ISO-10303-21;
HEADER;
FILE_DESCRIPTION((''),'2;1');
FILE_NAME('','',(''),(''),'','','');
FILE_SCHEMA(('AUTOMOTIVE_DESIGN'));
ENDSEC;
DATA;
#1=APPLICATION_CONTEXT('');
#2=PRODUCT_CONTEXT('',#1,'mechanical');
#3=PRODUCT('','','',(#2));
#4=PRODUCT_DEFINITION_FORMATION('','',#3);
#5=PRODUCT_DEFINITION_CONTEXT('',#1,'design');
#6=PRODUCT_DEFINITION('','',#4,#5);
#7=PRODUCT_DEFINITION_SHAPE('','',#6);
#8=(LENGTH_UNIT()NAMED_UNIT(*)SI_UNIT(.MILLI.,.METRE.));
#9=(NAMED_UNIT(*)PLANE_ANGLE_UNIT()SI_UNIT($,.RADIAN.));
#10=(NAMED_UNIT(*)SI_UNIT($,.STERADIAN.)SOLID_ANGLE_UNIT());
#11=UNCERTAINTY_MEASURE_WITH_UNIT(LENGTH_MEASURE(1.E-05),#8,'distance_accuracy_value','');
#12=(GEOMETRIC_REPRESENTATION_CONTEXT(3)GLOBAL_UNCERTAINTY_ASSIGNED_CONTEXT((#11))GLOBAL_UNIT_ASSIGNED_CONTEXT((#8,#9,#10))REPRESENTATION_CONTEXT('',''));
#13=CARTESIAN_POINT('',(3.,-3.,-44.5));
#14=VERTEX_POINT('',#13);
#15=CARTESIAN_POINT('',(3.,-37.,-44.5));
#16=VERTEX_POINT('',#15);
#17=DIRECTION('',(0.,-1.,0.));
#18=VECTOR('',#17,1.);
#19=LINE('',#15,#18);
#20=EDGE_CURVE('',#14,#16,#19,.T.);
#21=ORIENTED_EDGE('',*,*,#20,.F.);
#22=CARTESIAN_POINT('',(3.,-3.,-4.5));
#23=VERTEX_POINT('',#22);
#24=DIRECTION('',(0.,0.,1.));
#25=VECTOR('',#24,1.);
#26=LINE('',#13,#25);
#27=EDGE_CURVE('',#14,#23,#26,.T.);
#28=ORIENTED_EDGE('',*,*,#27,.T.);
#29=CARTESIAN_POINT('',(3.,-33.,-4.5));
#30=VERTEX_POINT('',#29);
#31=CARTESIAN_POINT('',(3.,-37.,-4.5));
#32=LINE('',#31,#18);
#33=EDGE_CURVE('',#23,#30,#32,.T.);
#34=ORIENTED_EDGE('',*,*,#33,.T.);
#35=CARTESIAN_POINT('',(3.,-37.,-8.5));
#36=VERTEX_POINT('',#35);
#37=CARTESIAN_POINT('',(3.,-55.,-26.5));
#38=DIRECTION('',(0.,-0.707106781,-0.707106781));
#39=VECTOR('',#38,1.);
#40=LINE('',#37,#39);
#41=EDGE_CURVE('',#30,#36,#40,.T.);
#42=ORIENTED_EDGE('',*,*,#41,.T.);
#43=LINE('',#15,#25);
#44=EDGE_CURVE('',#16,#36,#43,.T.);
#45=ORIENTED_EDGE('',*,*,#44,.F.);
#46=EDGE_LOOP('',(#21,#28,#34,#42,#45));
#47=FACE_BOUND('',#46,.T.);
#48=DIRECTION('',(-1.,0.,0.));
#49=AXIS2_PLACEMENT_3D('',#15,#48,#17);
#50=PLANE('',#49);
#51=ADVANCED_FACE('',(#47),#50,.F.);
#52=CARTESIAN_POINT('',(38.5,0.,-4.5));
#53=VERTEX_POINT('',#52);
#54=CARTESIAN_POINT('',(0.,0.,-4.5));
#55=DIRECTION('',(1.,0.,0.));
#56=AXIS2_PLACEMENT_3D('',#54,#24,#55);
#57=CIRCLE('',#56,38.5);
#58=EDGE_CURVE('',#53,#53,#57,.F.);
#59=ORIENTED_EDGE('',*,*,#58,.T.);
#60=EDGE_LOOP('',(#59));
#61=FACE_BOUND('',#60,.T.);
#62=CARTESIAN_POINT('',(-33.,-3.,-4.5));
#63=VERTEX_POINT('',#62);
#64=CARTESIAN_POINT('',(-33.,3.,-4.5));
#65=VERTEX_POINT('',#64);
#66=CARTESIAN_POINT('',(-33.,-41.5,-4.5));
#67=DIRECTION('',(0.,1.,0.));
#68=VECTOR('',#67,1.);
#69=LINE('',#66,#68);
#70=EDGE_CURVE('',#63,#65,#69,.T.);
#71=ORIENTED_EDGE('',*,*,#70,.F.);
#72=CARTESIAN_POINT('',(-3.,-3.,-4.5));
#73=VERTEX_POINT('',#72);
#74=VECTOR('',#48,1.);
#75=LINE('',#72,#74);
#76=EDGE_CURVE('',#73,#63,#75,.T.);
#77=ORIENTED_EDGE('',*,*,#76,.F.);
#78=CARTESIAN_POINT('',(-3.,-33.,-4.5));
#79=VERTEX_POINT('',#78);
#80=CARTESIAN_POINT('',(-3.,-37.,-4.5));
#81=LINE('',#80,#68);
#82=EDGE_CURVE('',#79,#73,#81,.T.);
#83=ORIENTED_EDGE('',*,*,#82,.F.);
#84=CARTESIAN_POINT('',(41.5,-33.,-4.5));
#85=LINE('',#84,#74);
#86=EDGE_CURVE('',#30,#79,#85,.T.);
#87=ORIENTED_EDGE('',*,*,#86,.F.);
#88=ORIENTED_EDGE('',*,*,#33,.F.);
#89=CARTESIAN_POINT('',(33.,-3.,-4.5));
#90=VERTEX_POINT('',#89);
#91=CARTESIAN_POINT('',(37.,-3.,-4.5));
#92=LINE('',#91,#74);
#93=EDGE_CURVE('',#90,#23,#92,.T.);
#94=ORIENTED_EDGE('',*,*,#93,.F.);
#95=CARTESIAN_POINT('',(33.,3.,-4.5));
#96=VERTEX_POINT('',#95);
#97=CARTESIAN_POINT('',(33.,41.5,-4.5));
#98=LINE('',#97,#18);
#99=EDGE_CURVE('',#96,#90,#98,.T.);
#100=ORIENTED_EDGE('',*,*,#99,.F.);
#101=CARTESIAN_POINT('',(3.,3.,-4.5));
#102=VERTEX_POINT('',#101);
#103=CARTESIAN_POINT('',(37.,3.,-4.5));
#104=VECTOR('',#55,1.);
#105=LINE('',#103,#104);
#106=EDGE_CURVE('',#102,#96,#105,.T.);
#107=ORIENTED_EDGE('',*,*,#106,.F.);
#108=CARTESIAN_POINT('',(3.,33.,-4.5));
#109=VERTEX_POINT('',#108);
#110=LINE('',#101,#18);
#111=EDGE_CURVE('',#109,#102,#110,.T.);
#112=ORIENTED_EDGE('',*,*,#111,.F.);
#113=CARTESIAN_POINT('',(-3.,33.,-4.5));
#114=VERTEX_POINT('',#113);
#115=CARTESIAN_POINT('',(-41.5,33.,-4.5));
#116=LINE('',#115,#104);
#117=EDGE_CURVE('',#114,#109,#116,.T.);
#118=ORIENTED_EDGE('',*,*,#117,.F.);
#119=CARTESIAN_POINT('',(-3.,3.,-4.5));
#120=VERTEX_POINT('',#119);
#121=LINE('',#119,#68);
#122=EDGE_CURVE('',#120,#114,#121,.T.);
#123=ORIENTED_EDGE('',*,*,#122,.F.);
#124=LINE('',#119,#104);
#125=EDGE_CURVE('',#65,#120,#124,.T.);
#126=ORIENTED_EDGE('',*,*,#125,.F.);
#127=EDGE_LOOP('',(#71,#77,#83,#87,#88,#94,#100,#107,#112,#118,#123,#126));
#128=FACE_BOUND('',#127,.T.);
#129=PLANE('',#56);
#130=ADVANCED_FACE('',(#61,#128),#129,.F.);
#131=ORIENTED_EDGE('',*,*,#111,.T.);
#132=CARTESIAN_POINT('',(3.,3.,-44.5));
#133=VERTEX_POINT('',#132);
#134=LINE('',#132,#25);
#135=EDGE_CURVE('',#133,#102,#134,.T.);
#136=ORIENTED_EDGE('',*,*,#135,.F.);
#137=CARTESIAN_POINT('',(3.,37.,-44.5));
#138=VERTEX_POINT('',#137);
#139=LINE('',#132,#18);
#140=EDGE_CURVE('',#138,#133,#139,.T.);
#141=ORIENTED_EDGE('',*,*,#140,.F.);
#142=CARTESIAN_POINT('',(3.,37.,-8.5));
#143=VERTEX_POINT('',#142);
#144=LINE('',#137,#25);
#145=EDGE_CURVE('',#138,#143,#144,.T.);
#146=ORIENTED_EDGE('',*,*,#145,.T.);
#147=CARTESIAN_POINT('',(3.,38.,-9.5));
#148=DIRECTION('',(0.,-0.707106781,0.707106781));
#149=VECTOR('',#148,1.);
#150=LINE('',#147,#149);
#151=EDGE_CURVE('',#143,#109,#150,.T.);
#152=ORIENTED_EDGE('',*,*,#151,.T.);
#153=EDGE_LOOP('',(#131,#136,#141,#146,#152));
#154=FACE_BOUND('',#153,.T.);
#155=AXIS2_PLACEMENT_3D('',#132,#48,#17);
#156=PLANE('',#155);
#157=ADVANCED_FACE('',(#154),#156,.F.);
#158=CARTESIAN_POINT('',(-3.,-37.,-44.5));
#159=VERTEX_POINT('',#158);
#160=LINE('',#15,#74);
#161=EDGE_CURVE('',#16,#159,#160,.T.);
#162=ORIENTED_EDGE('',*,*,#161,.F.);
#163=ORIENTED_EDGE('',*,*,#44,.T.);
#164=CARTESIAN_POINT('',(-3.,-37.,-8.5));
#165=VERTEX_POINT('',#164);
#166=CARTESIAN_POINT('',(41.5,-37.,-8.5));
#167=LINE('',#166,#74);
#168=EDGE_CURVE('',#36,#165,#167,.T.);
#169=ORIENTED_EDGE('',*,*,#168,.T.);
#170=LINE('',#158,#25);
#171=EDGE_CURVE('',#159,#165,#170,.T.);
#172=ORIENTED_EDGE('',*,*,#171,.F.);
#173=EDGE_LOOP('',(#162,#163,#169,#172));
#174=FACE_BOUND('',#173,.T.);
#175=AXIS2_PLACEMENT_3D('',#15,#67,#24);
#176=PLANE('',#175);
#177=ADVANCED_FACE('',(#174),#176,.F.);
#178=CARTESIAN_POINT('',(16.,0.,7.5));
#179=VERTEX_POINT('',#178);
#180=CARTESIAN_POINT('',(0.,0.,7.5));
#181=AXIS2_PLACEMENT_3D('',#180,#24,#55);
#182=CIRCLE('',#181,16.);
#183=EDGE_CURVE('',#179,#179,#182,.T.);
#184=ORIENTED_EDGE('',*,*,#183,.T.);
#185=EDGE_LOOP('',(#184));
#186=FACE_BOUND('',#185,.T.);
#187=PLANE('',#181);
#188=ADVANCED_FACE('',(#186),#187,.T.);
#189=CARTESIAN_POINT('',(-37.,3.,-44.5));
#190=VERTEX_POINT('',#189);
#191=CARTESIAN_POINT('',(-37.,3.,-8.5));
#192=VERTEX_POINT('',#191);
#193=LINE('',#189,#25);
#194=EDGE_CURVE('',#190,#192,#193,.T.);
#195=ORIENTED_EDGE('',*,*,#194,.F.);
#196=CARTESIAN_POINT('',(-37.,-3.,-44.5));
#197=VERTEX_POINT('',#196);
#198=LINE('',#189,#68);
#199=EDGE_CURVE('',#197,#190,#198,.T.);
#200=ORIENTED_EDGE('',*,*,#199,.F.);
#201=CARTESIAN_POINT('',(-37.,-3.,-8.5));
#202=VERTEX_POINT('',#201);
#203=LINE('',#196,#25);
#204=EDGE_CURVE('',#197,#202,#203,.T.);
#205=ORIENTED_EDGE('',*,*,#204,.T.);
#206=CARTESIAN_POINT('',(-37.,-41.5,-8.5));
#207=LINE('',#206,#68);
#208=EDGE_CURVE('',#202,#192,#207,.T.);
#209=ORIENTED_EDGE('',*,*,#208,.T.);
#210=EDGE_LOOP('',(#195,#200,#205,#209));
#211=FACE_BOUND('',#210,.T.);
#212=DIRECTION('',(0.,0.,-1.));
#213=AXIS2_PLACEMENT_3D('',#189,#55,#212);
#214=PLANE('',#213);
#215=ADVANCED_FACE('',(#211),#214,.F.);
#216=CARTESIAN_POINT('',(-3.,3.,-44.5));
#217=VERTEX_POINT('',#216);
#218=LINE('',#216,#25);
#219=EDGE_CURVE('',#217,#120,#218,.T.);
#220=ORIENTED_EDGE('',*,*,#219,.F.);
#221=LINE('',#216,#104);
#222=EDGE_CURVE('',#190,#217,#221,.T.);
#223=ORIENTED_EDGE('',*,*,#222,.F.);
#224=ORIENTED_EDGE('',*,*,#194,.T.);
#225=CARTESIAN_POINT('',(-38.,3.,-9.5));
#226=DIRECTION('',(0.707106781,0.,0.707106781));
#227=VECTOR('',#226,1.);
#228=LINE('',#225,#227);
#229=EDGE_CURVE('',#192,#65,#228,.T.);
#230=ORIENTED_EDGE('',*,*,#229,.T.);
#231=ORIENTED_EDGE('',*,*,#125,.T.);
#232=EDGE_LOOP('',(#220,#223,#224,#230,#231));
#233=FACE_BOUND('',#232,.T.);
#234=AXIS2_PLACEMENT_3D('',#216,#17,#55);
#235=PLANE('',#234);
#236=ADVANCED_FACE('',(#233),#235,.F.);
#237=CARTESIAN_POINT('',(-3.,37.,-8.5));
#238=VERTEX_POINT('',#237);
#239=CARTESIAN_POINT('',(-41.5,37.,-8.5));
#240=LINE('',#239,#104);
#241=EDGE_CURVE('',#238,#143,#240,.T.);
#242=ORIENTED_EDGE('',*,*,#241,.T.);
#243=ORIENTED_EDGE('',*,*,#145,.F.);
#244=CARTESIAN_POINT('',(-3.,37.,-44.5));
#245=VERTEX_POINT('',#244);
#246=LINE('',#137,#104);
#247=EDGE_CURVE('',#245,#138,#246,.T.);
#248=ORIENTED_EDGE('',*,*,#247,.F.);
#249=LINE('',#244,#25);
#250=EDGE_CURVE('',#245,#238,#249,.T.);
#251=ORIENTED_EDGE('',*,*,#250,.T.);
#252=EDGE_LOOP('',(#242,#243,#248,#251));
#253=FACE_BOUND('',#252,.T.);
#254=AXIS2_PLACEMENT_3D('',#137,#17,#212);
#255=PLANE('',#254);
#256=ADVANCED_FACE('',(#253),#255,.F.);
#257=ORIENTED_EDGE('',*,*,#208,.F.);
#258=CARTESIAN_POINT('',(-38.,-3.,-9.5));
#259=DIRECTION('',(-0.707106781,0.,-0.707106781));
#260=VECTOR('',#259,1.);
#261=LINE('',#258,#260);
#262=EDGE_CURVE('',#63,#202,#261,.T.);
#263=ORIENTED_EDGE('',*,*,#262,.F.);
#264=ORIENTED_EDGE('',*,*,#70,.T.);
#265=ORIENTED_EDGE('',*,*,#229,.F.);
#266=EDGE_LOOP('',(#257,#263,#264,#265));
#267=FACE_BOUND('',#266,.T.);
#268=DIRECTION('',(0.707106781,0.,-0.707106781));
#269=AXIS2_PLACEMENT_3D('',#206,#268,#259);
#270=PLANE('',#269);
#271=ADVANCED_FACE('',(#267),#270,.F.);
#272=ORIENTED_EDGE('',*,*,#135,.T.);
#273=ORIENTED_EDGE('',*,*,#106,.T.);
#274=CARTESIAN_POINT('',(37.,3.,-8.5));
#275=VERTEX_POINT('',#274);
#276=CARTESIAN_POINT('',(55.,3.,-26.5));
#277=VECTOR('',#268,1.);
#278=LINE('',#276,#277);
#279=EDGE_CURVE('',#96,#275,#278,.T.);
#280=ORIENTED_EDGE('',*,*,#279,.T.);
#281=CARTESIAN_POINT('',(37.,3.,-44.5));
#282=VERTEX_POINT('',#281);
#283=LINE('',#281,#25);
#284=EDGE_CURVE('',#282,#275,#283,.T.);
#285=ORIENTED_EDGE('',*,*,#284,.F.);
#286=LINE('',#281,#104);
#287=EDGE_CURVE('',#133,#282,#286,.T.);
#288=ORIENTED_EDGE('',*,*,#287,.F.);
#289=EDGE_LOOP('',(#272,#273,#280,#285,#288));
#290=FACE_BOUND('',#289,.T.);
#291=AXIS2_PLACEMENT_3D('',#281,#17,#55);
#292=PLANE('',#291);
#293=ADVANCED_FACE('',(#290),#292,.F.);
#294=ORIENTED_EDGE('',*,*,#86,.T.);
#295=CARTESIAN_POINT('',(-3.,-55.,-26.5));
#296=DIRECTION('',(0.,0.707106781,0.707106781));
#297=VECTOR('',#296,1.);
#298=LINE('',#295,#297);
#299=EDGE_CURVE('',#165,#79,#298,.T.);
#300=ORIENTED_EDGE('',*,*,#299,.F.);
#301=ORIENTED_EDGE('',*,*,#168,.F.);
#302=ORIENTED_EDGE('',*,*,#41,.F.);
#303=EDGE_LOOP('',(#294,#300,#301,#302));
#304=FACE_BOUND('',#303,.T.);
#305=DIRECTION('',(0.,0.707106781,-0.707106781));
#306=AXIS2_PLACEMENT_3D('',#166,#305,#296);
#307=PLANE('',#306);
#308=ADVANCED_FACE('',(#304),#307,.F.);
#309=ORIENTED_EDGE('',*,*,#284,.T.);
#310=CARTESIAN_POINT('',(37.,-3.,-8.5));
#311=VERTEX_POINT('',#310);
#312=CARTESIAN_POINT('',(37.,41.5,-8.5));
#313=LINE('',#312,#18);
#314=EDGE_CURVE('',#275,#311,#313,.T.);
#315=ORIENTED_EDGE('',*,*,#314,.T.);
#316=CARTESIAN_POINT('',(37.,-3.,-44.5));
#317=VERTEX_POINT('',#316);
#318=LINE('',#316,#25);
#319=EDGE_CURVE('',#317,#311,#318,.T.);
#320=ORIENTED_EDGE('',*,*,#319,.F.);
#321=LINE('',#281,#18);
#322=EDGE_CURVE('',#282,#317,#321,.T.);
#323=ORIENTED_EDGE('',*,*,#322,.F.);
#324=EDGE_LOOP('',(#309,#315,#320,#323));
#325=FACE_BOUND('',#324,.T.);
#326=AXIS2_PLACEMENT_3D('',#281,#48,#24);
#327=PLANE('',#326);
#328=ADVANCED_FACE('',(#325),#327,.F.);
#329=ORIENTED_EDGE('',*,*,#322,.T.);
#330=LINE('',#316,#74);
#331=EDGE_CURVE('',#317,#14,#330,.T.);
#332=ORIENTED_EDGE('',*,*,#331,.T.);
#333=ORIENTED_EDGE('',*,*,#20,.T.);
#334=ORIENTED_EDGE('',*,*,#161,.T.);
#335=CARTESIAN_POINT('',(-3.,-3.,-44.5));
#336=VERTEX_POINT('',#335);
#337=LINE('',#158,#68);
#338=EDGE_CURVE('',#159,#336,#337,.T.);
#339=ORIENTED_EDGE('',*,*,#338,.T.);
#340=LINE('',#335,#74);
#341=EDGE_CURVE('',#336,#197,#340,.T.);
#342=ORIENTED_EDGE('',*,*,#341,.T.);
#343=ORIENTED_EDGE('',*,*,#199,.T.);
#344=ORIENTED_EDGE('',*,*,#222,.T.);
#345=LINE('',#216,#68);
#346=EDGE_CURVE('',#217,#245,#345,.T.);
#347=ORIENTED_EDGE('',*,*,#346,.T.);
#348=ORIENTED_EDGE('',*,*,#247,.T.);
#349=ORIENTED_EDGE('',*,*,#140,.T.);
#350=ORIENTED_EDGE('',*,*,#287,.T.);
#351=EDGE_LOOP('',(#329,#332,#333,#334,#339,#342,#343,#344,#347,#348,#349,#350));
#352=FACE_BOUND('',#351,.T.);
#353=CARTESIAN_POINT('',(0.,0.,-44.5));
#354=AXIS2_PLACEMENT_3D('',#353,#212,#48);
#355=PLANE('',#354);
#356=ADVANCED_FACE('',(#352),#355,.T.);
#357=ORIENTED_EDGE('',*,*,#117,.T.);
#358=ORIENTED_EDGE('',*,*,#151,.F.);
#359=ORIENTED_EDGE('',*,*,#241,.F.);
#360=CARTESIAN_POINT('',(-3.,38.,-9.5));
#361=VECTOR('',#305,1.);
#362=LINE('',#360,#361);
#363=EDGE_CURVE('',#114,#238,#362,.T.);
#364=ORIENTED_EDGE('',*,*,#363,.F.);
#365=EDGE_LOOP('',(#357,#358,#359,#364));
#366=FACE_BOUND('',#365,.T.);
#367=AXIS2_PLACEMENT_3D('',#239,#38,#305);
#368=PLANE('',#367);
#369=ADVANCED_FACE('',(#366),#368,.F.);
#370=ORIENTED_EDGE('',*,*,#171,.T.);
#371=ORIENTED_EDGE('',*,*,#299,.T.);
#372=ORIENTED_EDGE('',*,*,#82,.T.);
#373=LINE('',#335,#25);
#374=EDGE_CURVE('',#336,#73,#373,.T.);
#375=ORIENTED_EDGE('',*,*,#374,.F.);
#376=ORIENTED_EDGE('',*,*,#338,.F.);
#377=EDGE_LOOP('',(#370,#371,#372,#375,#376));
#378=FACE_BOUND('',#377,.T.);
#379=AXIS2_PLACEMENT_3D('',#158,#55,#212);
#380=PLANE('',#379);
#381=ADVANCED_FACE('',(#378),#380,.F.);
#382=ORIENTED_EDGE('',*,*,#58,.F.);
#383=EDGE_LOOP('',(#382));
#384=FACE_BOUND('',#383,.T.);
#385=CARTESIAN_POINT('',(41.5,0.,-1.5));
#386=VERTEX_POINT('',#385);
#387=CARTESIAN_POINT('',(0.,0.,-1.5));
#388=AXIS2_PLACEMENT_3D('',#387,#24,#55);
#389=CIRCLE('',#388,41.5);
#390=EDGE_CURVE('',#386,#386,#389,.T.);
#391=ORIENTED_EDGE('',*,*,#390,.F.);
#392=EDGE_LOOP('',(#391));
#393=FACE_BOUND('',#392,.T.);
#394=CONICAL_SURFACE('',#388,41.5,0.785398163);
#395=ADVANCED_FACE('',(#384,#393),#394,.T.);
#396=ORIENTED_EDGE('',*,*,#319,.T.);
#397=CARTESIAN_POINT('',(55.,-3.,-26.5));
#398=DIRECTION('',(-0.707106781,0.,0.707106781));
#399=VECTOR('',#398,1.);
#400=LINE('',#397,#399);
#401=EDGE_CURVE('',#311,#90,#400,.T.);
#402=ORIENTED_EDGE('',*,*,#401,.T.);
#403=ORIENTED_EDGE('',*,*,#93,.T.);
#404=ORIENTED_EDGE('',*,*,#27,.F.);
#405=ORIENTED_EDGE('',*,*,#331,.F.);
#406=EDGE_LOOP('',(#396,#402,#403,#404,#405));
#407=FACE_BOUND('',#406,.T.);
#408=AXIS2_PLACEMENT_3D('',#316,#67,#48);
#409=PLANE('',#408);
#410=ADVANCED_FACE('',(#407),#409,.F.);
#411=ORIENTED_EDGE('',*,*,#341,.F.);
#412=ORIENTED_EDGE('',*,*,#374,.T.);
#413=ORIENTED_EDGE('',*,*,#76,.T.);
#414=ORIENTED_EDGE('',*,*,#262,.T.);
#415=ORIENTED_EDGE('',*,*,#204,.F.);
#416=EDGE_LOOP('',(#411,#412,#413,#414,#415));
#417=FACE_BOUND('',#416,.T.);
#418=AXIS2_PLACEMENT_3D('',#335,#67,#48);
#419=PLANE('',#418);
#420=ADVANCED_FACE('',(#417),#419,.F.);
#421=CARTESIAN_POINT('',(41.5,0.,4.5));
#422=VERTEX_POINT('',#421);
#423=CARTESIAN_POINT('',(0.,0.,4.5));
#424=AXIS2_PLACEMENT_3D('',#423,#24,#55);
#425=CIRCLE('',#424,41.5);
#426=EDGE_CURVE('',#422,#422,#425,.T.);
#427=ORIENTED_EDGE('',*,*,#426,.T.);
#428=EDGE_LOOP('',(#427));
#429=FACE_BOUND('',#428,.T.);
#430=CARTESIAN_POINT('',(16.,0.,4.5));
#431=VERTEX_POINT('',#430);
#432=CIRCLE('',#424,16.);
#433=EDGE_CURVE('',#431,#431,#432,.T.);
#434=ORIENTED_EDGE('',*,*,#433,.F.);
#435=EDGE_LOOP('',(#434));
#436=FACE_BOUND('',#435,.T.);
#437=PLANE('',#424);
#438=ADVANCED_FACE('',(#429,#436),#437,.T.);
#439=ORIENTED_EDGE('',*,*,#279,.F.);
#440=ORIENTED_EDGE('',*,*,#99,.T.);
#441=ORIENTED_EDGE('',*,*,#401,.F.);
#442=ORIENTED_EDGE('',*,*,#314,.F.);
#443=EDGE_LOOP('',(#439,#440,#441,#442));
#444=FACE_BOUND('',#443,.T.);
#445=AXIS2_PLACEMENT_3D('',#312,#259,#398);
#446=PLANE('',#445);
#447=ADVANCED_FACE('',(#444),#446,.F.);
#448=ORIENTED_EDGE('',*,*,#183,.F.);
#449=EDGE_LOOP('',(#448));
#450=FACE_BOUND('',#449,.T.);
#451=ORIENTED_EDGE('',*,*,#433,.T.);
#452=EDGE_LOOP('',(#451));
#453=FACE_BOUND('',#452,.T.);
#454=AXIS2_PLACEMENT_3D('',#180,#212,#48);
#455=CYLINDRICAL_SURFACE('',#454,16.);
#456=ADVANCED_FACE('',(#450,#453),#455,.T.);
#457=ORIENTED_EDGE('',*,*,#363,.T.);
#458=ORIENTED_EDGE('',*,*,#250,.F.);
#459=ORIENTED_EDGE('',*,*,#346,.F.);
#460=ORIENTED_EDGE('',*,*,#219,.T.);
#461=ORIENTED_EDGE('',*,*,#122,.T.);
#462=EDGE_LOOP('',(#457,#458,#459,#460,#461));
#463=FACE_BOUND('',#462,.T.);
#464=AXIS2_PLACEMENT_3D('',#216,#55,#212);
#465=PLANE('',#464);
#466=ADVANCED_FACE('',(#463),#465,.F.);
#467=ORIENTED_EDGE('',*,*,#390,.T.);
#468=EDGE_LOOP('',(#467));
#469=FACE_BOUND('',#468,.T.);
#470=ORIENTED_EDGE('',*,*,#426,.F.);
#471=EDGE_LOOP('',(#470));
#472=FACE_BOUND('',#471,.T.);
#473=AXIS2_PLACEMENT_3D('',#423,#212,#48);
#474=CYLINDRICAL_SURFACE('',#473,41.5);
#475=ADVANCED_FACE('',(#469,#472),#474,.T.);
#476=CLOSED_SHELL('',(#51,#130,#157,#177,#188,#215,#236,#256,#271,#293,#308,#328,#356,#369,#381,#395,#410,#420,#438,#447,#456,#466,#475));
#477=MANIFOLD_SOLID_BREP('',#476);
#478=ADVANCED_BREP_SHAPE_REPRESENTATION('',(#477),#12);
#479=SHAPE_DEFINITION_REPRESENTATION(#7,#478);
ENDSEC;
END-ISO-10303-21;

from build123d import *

# Parameters (mm, degrees)
SKETCH1_R           = 41.5
BOSS_EXTRUDE1_DEPTH = 4.5
CHAMFER1_SIZE       = 3
SKETCH3_R           = 16
BOSS_EXTRUDE2_DEPTH = 3
BOSS_EXTRUDE3_DEPTH = 40
CUT_EXTRUDE1_DEPTH  = 76.384016874
CIRPATTERN1_COUNT   = 4


with BuildPart() as part:
    # Sketch1 → Boss-Extrude1 (new, symmetric)
    with BuildSketch(Plane.XY):
        Circle(SKETCH1_R)
    extrude(amount=BOSS_EXTRUDE1_DEPTH, both=True)

    # Chamfer1
    chamfer1_edges = [part.edges().sort_by_distance(p)[0] for p in [
        (-41.5, 0, -4.5),
    ]]
    chamfer(chamfer1_edges, length=CHAMFER1_SIZE)

    # Sketch3 → Boss-Extrude2 (add)
    with BuildSketch(Plane.XY.offset(4.5)):
        Circle(SKETCH3_R)
    extrude(amount=BOSS_EXTRUDE2_DEPTH)

    # Sketch4 → Boss-Extrude3 (add)
    with BuildSketch(Plane(origin=(0, 0, -4.5), x_dir=(-1, 0, 0), z_dir=(0, 0, -1))):
        Polygon((3, -37), (3, -3), (37, -3), (37, 3), (3, 3), (3, 37), (-3, 37), (-3, 3), (-37, 3), (-37, -3), (-3, -3), (-3, -37), align=None)
    extrude(amount=BOSS_EXTRUDE3_DEPTH)

    # Sketch5 → Cut-Extrude1 (cut, symmetric)
    with BuildSketch(Plane.XZ.offset(3)):
        Polygon((37, -4.5), (37, -8.5), (33, -4.5), align=None)
    cut_extrude1 = extrude(amount=CUT_EXTRUDE1_DEPTH, both=True, mode=Mode.SUBTRACT)

    # CirPattern1: Cut-Extrude1 ×4 about axis
    cirpattern1_axis = Axis((0, 0, 0), (0, 0, 1))
    for i in range(1, CIRPATTERN1_COUNT):
        add(cut_extrude1.rotate(cirpattern1_axis, i * 360 / CIRPATTERN1_COUNT), mode=Mode.SUBTRACT)


solid = part.part
